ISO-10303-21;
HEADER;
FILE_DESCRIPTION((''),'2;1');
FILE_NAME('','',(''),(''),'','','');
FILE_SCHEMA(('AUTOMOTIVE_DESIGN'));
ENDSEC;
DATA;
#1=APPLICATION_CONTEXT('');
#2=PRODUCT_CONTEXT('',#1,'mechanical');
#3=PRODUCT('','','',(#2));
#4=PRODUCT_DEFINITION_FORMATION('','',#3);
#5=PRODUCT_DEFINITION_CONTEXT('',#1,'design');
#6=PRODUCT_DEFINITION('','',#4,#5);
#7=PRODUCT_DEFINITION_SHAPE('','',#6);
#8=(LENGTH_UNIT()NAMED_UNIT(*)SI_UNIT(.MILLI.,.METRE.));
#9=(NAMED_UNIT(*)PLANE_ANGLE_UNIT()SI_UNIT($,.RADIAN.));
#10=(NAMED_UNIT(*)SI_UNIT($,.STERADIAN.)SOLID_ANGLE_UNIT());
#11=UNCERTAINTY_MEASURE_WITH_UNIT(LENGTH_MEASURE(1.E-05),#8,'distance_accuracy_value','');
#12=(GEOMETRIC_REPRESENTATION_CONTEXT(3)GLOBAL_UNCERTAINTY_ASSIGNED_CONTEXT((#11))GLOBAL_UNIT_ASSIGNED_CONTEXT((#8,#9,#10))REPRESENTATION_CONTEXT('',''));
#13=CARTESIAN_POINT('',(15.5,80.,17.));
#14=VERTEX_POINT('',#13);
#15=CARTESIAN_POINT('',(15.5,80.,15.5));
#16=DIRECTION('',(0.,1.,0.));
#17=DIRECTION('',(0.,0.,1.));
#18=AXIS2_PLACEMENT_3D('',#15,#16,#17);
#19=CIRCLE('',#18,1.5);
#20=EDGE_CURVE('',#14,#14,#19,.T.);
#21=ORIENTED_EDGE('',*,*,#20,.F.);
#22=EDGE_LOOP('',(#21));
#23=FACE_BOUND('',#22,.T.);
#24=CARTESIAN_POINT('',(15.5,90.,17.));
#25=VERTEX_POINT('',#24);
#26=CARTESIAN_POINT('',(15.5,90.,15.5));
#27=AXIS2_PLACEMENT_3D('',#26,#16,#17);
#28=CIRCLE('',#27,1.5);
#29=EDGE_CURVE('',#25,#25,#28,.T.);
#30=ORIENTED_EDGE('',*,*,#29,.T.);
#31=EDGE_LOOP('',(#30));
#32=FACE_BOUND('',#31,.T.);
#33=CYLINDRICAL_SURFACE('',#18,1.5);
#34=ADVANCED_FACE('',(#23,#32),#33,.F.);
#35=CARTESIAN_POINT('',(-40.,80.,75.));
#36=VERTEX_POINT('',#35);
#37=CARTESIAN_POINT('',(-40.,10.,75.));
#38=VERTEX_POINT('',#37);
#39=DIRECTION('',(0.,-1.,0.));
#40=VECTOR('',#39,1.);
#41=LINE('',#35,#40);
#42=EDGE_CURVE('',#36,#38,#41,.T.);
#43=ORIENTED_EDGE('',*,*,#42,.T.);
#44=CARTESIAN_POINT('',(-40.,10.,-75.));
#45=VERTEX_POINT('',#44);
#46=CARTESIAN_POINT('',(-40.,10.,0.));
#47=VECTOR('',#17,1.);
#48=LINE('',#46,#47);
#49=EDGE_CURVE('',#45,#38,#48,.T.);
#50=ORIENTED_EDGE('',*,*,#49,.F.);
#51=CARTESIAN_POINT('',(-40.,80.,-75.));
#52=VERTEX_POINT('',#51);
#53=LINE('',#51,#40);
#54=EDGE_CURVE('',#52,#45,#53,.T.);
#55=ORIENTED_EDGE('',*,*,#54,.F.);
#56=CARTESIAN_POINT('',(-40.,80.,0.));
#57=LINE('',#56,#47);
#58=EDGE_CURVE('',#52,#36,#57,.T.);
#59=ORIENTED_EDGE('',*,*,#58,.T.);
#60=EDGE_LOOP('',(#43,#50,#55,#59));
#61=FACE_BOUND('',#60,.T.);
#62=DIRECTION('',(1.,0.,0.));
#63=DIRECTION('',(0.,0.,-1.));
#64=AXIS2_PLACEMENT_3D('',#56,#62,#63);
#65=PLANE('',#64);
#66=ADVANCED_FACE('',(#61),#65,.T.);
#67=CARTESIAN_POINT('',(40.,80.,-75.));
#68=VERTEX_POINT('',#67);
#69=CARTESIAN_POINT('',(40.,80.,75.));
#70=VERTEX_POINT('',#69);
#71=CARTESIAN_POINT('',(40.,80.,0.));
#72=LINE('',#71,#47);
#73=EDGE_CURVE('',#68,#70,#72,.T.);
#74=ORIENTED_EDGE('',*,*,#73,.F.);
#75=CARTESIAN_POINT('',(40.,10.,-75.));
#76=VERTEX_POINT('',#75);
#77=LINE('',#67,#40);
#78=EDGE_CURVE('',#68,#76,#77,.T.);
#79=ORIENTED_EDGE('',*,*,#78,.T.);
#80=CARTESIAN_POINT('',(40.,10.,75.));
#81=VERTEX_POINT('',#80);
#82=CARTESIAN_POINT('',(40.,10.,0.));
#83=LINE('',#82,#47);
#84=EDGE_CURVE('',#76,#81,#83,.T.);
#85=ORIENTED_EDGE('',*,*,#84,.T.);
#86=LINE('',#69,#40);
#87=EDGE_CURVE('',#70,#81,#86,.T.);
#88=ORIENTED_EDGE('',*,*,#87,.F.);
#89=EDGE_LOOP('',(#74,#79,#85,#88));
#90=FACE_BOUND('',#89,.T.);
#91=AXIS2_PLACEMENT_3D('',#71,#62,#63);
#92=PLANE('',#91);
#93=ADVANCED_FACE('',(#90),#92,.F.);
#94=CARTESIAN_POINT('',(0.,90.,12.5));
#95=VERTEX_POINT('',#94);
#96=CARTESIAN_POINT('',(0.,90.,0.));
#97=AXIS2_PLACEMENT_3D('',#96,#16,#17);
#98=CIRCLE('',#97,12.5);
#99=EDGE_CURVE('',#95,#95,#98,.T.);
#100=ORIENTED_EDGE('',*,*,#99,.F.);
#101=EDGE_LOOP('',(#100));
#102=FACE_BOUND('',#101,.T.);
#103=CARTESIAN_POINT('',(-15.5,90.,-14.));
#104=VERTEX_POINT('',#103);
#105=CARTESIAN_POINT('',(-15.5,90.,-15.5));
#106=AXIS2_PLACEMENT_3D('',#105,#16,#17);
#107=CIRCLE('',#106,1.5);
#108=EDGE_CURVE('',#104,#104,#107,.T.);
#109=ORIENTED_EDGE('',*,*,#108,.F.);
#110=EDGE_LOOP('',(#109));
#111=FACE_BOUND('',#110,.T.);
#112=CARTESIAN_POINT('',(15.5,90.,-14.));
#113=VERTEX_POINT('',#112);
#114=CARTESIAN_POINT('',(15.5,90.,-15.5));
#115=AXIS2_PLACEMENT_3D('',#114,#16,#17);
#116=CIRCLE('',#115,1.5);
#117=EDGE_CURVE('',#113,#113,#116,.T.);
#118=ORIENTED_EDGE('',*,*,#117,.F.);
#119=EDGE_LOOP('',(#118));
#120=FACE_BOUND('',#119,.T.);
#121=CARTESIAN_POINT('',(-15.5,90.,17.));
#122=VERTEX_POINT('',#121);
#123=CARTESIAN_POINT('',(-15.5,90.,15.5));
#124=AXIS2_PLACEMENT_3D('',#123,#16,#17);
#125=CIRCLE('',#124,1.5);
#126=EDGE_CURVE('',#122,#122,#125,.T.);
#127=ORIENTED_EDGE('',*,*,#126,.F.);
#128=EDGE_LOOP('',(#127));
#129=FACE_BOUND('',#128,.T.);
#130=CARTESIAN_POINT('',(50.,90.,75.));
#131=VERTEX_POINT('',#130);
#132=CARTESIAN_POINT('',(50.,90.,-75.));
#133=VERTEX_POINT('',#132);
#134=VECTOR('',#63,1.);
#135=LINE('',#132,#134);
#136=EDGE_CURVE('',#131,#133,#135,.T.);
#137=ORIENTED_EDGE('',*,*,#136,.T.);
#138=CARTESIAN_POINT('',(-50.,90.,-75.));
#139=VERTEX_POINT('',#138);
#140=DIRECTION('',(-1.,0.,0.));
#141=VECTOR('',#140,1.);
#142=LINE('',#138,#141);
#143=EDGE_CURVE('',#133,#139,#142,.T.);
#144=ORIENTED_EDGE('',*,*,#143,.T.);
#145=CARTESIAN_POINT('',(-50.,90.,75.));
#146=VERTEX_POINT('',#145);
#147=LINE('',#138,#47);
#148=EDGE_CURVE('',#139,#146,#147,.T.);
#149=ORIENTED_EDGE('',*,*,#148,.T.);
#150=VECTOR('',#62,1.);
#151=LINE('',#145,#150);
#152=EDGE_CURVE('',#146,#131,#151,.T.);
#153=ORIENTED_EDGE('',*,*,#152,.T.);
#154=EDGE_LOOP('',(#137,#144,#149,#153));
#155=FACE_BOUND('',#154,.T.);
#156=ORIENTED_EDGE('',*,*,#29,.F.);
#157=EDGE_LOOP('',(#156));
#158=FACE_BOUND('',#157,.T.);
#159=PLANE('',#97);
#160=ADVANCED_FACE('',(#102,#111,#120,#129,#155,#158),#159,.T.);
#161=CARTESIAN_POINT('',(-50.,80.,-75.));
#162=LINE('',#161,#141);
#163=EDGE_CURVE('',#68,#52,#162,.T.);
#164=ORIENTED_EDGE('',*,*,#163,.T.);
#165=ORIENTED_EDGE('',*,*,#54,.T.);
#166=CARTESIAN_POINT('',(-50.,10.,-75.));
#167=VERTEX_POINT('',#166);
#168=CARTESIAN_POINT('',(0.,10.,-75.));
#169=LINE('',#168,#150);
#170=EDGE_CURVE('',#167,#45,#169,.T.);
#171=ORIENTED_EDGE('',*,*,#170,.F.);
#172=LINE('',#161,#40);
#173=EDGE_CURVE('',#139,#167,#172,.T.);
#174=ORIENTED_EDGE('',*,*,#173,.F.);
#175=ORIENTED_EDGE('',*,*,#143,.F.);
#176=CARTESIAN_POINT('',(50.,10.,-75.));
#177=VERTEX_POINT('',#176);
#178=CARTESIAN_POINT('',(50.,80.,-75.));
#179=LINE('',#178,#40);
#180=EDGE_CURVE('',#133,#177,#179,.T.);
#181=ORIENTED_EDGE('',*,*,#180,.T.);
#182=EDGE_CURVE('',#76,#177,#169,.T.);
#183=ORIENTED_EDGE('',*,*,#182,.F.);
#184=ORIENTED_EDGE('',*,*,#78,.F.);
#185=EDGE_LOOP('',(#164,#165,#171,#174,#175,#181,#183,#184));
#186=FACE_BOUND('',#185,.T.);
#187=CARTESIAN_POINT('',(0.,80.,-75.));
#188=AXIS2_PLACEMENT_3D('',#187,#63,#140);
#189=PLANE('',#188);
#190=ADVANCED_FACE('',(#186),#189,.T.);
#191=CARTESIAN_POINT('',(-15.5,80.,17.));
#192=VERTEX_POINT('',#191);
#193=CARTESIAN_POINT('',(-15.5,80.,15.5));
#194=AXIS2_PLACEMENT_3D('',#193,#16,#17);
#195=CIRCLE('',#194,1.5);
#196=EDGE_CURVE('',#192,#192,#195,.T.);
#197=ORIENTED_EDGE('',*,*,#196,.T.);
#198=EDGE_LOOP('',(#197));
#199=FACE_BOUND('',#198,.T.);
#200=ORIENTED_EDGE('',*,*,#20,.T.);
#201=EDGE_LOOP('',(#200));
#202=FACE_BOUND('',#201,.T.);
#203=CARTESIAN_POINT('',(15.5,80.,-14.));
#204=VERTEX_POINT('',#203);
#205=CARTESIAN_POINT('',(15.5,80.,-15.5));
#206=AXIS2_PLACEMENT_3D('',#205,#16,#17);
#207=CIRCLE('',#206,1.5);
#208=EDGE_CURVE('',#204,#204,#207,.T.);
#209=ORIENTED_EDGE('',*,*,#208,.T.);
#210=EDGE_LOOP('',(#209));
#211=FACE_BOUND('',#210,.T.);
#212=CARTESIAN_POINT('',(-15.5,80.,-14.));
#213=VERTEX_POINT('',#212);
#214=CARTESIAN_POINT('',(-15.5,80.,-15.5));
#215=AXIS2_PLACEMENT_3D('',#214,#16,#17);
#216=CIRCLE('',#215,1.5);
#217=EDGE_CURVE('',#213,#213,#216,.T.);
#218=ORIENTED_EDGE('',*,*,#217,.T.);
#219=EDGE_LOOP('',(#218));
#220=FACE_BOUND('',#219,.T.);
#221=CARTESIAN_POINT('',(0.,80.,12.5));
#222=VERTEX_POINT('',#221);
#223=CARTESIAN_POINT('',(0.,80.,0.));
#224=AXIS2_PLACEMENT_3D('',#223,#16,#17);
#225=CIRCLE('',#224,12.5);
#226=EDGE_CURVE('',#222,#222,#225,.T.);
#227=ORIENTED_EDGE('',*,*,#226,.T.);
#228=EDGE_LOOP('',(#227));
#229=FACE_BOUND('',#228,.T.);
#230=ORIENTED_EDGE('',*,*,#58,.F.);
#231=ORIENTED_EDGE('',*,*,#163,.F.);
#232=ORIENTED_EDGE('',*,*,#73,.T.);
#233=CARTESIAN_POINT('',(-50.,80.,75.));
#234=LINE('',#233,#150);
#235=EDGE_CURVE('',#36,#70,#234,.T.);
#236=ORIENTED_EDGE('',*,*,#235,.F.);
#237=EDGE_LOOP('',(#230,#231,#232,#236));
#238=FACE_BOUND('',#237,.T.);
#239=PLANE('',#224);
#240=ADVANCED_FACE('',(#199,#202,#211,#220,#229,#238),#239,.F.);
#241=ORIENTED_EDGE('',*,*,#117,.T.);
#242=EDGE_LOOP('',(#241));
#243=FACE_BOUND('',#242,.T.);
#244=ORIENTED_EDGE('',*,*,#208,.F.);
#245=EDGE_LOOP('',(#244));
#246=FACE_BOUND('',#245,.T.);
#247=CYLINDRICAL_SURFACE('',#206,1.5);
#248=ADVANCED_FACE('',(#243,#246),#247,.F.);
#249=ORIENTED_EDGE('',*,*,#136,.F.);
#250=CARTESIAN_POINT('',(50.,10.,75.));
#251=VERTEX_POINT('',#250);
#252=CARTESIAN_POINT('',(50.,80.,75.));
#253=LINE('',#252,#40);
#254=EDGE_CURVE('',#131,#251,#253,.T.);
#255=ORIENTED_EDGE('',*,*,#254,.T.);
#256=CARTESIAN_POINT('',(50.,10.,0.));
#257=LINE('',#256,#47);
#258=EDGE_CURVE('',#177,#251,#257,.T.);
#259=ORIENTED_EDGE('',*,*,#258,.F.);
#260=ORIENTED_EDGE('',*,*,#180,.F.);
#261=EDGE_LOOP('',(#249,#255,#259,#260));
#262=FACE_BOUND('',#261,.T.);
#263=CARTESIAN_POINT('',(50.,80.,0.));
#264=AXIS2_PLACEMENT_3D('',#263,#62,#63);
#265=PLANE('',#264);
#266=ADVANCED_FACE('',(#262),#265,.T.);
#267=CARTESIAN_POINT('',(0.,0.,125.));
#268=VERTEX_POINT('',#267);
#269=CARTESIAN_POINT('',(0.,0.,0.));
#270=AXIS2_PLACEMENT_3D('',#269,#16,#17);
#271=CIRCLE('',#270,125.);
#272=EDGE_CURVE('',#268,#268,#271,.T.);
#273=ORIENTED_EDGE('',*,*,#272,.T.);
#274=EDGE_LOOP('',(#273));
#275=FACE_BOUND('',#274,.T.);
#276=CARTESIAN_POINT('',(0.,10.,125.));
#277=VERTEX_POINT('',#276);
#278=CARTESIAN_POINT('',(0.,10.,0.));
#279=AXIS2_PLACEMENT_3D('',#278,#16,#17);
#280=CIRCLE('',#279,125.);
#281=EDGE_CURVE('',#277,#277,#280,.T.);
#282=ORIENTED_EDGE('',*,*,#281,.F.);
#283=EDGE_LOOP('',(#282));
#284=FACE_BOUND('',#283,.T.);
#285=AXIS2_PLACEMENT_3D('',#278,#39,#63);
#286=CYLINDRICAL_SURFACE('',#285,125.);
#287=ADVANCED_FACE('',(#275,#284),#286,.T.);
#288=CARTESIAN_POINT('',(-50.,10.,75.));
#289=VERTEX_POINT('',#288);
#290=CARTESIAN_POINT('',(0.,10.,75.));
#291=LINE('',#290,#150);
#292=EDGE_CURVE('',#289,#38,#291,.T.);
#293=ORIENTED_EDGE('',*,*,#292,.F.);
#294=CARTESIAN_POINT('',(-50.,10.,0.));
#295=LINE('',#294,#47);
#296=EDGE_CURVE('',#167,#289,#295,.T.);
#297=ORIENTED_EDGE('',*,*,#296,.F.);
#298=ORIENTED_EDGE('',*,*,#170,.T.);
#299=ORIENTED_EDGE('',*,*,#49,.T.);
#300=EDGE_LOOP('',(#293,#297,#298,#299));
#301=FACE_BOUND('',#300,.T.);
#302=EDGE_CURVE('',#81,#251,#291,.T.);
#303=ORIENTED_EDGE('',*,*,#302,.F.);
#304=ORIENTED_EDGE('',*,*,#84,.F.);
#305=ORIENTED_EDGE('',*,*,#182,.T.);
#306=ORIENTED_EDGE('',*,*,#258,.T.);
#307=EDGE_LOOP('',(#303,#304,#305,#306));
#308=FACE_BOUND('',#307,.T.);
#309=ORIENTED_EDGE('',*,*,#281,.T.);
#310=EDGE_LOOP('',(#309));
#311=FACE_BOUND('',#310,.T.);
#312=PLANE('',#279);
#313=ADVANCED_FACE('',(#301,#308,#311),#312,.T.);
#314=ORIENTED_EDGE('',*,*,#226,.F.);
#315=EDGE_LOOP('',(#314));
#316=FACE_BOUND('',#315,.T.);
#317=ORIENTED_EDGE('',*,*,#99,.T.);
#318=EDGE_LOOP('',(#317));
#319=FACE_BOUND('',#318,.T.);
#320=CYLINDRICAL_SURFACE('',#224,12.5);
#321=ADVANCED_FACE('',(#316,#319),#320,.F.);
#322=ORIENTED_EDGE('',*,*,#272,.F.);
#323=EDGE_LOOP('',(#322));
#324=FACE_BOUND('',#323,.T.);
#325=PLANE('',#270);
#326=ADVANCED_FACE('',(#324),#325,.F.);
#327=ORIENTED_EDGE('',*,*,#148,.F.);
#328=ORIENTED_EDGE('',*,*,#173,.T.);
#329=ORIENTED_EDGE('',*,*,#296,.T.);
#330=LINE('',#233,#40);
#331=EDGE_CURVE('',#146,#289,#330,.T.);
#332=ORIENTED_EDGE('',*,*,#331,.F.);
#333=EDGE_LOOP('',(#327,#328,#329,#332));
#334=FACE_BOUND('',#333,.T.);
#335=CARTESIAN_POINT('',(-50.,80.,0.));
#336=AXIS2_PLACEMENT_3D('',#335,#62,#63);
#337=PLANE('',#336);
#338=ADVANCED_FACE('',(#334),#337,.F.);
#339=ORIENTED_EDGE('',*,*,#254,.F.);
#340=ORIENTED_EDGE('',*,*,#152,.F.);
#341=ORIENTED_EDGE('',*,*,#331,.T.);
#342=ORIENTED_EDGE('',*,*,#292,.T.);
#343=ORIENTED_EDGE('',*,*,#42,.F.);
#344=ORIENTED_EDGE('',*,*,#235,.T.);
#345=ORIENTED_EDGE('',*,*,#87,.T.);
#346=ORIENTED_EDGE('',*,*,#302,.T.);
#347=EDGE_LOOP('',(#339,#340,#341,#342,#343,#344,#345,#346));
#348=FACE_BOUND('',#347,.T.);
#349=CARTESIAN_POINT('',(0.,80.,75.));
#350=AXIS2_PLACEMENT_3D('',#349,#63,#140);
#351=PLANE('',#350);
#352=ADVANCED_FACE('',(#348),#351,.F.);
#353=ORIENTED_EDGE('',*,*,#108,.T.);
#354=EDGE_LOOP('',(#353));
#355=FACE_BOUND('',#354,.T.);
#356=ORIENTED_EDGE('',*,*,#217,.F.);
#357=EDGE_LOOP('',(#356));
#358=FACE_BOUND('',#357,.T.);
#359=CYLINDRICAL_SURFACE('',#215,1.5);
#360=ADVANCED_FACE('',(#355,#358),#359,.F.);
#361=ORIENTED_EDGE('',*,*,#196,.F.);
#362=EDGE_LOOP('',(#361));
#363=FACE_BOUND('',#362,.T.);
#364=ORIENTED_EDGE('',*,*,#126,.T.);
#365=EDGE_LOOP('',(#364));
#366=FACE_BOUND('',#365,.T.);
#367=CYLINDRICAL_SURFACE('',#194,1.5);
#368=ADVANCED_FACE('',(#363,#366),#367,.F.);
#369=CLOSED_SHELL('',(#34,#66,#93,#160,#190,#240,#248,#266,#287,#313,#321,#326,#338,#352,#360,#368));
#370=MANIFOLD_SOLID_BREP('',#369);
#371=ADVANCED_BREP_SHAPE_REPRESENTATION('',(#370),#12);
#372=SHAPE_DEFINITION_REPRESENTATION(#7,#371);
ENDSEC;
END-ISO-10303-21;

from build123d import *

# Parameters (mm, degrees)
SKETCH1_R           = 125
BOSS_EXTRUDE1_DEPTH = 10
SKETCH2_W           = 10
SKETCH2_H           = 150
BOSS_EXTRUDE2_DEPTH = 70
SKETCH3_W           = 100
SKETCH3_H           = 150
BOSS_EXTRUDE3_DEPTH = 10
SKETCH4_R           = 1.5
SKETCH4_R_2         = 12.5
CUT_EXTRUDE1_DEPTH  = 10


with BuildPart() as part:
    # Sketch1 → Boss-Extrude1 (new body)
    with BuildSketch(Plane(origin=(0, 0, 0), x_dir=(1, 0, 0), z_dir=(0, 1, 0))):
        with Locations(Location((0, 0, 0), (0, 0, 270))):
            Circle(SKETCH1_R)
    extrude(amount=BOSS_EXTRUDE1_DEPTH)

    # Sketch2 → Boss-Extrude2 (add)
    with BuildSketch(Plane(origin=(0, 10, 0), x_dir=(1, 0, 0), z_dir=(0, 1, 0))):
        with Locations((-45, 0)):
            Rectangle(SKETCH2_W, SKETCH2_H)
        with Locations((45, 0)):
            Rectangle(SKETCH2_W, SKETCH2_H)
    extrude(amount=BOSS_EXTRUDE2_DEPTH)

    # Sketch3 → Boss-Extrude3 (add)
    with BuildSketch(Plane(origin=(0, 80, 0), x_dir=(1, 0, 0), z_dir=(0, 1, 0))):
        Rectangle(SKETCH3_W, SKETCH3_H)
    extrude(amount=BOSS_EXTRUDE3_DEPTH)

    # Sketch4 → Cut-Extrude1 (cut)
    with BuildSketch(Plane(origin=(0, 90, 0), x_dir=(1, 0, 0), z_dir=(0, 1, 0))):
        with Locations(Location((-15.5, 15.5, 0), (0, 0, 270))):
            Circle(SKETCH4_R)
        with Locations(Location((15.5, 15.5, 0), (0, 0, 270))):
            Circle(SKETCH4_R)
        with Locations(Location((-15.5, -15.5, 0), (0, 0, 270))):
            Circle(SKETCH4_R)
        with Locations(Location((15.5, -15.5, 0), (0, 0, 270))):
            Circle(SKETCH4_R)
        with Locations(Location((0, 0, 0), (0, 0, 270))):
            Circle(SKETCH4_R_2)
    extrude(amount=-CUT_EXTRUDE1_DEPTH, mode=Mode.SUBTRACT)


solid = part.part
